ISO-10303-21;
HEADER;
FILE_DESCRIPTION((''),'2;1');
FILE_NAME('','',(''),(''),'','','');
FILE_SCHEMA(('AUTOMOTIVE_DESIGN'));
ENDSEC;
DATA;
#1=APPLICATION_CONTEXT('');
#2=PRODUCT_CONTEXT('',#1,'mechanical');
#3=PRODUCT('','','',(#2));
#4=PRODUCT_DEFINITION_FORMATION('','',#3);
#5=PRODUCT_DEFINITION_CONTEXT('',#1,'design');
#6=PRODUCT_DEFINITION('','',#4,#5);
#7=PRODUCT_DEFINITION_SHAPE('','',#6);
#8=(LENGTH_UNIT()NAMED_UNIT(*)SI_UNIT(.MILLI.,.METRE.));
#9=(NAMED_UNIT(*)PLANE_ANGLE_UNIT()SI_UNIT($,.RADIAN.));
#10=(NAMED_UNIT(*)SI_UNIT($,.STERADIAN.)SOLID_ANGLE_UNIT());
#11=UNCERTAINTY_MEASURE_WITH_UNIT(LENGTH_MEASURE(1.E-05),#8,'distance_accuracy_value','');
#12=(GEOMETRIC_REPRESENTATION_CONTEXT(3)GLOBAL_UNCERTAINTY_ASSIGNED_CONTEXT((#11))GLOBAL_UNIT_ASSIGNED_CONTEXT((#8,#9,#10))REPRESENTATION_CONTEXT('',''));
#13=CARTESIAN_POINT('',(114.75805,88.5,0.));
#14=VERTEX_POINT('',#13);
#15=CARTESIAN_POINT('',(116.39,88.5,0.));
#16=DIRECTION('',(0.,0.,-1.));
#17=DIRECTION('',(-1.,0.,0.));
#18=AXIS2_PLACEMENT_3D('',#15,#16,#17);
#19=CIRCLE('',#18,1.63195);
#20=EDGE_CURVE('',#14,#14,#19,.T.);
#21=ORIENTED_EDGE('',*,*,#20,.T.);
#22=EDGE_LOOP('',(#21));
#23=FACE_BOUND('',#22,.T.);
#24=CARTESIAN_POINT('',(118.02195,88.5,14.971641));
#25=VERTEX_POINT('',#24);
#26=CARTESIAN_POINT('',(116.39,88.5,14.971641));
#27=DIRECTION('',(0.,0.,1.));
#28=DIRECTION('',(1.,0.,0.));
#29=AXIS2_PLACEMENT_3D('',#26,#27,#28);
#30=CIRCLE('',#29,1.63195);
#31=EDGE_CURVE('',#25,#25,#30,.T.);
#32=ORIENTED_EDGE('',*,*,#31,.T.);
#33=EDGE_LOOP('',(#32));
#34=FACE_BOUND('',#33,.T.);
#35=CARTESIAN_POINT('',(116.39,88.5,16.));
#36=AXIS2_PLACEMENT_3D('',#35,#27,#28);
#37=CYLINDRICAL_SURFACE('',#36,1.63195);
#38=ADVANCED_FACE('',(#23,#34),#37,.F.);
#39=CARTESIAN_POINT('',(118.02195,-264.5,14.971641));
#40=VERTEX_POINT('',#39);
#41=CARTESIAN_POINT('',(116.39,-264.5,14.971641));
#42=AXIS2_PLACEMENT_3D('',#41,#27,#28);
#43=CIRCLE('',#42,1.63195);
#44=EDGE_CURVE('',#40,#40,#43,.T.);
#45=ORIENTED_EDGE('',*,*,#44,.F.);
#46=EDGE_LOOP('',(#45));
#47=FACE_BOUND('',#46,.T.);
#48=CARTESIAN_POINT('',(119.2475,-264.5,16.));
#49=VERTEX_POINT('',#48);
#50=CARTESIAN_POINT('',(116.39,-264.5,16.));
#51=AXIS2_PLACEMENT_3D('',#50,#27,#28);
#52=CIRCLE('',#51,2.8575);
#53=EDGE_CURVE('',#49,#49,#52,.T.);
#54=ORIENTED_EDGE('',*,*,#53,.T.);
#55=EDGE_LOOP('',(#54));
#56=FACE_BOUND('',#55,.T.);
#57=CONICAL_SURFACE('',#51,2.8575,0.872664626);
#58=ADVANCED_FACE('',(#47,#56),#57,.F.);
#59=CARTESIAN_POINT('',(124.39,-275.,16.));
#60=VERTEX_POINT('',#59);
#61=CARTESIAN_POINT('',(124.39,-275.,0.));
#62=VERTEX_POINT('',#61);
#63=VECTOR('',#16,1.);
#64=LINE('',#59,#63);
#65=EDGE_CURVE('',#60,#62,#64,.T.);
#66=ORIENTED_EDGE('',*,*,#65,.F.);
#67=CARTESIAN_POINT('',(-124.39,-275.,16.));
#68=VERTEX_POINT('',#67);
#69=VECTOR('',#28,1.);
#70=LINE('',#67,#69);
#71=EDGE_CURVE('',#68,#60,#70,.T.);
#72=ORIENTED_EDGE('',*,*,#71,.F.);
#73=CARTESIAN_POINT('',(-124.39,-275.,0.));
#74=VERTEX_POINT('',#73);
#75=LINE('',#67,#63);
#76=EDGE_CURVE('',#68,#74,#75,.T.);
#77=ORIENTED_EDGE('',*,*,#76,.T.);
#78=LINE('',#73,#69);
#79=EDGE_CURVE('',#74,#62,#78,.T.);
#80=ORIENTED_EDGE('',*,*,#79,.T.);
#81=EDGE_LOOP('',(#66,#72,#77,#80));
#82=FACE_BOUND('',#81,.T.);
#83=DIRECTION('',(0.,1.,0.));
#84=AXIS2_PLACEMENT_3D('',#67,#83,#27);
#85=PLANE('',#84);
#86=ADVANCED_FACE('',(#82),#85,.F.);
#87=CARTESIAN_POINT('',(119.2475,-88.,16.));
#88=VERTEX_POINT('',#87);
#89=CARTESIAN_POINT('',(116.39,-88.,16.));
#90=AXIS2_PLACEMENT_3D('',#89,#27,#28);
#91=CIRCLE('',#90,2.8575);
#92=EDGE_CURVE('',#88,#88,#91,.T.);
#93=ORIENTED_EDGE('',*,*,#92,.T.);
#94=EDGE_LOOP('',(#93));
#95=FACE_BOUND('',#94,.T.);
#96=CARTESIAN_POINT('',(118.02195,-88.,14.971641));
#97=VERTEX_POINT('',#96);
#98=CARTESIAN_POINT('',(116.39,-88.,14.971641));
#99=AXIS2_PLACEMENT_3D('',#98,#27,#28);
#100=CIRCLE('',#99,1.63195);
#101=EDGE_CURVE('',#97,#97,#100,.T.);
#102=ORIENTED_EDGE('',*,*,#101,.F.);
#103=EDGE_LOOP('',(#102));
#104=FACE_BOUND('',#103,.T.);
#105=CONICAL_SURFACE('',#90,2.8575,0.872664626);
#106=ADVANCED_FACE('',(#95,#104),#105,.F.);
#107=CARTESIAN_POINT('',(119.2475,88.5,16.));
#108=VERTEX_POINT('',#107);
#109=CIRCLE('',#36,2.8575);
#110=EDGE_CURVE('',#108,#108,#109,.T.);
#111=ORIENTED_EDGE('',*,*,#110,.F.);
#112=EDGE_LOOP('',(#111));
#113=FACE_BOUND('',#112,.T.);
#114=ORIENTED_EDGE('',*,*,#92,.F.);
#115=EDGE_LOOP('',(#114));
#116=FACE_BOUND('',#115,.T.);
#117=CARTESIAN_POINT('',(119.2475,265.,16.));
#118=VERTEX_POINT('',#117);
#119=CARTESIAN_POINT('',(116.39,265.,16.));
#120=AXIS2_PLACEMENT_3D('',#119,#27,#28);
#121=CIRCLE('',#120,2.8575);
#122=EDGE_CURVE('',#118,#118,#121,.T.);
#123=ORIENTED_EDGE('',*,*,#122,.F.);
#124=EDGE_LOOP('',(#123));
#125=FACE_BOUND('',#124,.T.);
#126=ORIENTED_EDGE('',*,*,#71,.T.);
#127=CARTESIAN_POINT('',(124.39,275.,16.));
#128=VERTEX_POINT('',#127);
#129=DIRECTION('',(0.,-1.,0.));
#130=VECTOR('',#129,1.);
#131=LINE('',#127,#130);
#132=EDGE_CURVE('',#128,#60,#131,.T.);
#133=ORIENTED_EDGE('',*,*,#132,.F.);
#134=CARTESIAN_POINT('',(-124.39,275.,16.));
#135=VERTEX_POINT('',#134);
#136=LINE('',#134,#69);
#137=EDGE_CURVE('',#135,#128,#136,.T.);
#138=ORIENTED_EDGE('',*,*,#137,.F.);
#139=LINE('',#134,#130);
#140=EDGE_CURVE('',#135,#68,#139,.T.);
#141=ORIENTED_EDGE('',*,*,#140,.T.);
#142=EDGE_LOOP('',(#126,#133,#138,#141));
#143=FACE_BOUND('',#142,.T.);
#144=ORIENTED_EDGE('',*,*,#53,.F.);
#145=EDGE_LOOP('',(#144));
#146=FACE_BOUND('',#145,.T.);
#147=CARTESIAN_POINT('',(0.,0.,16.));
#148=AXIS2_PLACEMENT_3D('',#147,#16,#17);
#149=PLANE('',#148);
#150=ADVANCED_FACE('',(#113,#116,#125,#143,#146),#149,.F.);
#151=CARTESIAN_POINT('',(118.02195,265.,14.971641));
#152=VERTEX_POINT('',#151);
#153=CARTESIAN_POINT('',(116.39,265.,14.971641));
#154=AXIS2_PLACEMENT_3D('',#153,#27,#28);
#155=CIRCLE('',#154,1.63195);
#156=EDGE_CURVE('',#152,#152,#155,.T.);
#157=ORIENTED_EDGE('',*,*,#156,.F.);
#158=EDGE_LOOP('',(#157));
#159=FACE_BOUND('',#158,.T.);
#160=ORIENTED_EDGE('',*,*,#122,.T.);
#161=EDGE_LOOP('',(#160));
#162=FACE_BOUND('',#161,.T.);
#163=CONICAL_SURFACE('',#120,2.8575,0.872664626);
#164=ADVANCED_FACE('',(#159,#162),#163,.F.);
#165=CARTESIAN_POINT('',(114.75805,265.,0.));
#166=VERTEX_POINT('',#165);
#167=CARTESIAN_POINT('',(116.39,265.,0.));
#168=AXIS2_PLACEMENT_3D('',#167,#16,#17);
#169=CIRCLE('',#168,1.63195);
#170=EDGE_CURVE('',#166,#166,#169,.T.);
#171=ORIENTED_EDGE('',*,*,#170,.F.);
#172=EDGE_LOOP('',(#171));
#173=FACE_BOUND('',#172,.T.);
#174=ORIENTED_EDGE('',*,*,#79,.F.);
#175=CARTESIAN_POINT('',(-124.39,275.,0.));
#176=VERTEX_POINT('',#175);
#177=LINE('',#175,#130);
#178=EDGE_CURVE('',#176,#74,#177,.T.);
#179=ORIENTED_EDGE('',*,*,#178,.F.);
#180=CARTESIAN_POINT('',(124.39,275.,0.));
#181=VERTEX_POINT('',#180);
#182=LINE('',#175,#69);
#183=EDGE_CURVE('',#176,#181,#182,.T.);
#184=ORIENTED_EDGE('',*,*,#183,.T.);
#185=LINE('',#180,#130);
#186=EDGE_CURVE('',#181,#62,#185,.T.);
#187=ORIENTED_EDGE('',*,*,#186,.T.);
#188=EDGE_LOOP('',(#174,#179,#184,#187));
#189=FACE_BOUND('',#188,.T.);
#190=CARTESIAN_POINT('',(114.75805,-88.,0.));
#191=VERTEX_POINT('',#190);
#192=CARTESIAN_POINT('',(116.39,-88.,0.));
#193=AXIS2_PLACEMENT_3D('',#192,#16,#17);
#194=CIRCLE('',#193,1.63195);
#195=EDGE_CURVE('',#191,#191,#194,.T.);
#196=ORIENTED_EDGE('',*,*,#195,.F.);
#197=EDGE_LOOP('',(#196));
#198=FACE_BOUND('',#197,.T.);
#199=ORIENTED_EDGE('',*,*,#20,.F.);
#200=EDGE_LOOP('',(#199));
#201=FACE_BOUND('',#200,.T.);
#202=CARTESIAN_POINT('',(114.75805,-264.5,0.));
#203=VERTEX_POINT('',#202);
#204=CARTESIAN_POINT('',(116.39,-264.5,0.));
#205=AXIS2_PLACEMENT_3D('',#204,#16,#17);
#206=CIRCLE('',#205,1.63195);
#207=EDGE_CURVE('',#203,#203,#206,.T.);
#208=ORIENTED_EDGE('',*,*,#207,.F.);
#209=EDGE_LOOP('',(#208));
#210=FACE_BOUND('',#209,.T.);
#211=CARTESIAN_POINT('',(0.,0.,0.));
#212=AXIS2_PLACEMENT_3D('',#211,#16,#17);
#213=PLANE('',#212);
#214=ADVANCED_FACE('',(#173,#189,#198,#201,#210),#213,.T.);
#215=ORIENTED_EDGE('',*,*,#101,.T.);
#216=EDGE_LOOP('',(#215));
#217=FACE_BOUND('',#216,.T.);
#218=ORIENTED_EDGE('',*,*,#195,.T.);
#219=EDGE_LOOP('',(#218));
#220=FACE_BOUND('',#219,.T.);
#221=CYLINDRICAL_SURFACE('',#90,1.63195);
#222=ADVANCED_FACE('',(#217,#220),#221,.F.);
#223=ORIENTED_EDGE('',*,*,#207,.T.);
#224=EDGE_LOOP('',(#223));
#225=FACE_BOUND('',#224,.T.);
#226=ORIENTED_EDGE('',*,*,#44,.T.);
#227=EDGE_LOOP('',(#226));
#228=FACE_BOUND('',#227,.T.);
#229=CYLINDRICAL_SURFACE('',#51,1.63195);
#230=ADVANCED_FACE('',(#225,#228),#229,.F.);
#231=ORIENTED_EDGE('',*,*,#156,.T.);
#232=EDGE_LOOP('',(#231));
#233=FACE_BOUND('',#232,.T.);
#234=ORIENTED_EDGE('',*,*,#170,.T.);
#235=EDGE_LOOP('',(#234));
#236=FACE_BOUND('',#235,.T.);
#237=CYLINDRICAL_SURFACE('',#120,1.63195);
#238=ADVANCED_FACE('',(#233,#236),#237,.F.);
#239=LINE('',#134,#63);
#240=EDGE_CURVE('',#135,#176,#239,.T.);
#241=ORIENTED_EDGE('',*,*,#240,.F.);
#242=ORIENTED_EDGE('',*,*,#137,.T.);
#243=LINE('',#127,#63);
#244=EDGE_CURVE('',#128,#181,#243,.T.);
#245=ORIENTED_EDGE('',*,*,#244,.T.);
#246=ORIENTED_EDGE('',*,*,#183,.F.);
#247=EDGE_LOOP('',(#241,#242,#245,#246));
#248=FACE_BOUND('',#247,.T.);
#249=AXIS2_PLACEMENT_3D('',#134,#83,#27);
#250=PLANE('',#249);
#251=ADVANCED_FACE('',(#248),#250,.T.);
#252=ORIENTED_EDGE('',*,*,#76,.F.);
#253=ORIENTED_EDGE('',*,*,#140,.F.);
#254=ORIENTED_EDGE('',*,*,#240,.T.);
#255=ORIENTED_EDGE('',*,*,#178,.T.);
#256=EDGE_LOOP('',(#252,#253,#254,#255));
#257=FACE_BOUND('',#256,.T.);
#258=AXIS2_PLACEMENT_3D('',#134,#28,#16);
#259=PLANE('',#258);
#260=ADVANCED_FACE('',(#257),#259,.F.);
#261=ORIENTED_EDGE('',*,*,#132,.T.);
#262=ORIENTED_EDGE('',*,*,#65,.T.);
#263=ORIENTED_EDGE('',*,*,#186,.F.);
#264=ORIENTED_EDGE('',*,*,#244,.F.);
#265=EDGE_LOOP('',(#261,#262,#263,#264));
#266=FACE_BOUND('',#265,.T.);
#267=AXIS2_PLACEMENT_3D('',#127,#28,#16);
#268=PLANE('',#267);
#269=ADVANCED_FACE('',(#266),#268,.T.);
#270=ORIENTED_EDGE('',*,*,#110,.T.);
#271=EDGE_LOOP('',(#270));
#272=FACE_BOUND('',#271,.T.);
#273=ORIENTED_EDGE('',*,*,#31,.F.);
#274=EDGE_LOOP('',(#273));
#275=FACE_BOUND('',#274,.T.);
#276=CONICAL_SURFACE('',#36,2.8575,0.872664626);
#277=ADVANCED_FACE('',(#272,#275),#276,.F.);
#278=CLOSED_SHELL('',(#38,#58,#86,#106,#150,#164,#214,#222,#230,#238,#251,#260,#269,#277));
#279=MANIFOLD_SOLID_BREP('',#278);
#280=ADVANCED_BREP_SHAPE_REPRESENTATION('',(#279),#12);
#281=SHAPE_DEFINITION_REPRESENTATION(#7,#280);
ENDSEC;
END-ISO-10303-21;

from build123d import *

# Parameters (mm, degrees)
SKETCH1_W                                         = 248.78
SKETCH1_H                                         = 550
BOSS_EXTRUDE1_DEPTH                               = 16
CSK_FOR_4_FLAT_HEAD_MACHINE_SCREW_100_D           = 3.2639
CSK_FOR_4_FLAT_HEAD_MACHINE_SCREW_100_DEPTH       = 16
CSK_FOR_4_FLAT_HEAD_MACHINE_SCREW_100_CSINK_D     = 5.715
CSK_FOR_4_FLAT_HEAD_MACHINE_SCREW_100_CSINK_ANGLE = 100
LPATTERN1_COUNT                                   = 4
LPATTERN1_PITCH                                   = 176.5


with BuildPart() as part:
    # Sketch1 → Boss-Extrude1 (new body)
    with BuildSketch(Plane.XY):
        Rectangle(SKETCH1_W, SKETCH1_H)
    extrude(amount=BOSS_EXTRUDE1_DEPTH)

    # CSK for #4 Flat Head Machine Screw (100)1
    with Locations(Plane.XY.offset(16)):
        with Locations((116.39, -264.5)):
            csk_for_4_flat_head_machine_screw_100 = CounterSinkHole(CSK_FOR_4_FLAT_HEAD_MACHINE_SCREW_100_D / 2, CSK_FOR_4_FLAT_HEAD_MACHINE_SCREW_100_CSINK_D / 2, depth=CSK_FOR_4_FLAT_HEAD_MACHINE_SCREW_100_DEPTH, counter_sink_angle=CSK_FOR_4_FLAT_HEAD_MACHINE_SCREW_100_CSINK_ANGLE)

    # LPattern1: CSK for #4 Flat Head Machine Screw (100)1 ×4
    with Locations(*[(0, i * LPATTERN1_PITCH, 0) for i in range(1, LPATTERN1_COUNT)]):
        add(csk_for_4_flat_head_machine_screw_100, mode=Mode.SUBTRACT)


solid = part.part
